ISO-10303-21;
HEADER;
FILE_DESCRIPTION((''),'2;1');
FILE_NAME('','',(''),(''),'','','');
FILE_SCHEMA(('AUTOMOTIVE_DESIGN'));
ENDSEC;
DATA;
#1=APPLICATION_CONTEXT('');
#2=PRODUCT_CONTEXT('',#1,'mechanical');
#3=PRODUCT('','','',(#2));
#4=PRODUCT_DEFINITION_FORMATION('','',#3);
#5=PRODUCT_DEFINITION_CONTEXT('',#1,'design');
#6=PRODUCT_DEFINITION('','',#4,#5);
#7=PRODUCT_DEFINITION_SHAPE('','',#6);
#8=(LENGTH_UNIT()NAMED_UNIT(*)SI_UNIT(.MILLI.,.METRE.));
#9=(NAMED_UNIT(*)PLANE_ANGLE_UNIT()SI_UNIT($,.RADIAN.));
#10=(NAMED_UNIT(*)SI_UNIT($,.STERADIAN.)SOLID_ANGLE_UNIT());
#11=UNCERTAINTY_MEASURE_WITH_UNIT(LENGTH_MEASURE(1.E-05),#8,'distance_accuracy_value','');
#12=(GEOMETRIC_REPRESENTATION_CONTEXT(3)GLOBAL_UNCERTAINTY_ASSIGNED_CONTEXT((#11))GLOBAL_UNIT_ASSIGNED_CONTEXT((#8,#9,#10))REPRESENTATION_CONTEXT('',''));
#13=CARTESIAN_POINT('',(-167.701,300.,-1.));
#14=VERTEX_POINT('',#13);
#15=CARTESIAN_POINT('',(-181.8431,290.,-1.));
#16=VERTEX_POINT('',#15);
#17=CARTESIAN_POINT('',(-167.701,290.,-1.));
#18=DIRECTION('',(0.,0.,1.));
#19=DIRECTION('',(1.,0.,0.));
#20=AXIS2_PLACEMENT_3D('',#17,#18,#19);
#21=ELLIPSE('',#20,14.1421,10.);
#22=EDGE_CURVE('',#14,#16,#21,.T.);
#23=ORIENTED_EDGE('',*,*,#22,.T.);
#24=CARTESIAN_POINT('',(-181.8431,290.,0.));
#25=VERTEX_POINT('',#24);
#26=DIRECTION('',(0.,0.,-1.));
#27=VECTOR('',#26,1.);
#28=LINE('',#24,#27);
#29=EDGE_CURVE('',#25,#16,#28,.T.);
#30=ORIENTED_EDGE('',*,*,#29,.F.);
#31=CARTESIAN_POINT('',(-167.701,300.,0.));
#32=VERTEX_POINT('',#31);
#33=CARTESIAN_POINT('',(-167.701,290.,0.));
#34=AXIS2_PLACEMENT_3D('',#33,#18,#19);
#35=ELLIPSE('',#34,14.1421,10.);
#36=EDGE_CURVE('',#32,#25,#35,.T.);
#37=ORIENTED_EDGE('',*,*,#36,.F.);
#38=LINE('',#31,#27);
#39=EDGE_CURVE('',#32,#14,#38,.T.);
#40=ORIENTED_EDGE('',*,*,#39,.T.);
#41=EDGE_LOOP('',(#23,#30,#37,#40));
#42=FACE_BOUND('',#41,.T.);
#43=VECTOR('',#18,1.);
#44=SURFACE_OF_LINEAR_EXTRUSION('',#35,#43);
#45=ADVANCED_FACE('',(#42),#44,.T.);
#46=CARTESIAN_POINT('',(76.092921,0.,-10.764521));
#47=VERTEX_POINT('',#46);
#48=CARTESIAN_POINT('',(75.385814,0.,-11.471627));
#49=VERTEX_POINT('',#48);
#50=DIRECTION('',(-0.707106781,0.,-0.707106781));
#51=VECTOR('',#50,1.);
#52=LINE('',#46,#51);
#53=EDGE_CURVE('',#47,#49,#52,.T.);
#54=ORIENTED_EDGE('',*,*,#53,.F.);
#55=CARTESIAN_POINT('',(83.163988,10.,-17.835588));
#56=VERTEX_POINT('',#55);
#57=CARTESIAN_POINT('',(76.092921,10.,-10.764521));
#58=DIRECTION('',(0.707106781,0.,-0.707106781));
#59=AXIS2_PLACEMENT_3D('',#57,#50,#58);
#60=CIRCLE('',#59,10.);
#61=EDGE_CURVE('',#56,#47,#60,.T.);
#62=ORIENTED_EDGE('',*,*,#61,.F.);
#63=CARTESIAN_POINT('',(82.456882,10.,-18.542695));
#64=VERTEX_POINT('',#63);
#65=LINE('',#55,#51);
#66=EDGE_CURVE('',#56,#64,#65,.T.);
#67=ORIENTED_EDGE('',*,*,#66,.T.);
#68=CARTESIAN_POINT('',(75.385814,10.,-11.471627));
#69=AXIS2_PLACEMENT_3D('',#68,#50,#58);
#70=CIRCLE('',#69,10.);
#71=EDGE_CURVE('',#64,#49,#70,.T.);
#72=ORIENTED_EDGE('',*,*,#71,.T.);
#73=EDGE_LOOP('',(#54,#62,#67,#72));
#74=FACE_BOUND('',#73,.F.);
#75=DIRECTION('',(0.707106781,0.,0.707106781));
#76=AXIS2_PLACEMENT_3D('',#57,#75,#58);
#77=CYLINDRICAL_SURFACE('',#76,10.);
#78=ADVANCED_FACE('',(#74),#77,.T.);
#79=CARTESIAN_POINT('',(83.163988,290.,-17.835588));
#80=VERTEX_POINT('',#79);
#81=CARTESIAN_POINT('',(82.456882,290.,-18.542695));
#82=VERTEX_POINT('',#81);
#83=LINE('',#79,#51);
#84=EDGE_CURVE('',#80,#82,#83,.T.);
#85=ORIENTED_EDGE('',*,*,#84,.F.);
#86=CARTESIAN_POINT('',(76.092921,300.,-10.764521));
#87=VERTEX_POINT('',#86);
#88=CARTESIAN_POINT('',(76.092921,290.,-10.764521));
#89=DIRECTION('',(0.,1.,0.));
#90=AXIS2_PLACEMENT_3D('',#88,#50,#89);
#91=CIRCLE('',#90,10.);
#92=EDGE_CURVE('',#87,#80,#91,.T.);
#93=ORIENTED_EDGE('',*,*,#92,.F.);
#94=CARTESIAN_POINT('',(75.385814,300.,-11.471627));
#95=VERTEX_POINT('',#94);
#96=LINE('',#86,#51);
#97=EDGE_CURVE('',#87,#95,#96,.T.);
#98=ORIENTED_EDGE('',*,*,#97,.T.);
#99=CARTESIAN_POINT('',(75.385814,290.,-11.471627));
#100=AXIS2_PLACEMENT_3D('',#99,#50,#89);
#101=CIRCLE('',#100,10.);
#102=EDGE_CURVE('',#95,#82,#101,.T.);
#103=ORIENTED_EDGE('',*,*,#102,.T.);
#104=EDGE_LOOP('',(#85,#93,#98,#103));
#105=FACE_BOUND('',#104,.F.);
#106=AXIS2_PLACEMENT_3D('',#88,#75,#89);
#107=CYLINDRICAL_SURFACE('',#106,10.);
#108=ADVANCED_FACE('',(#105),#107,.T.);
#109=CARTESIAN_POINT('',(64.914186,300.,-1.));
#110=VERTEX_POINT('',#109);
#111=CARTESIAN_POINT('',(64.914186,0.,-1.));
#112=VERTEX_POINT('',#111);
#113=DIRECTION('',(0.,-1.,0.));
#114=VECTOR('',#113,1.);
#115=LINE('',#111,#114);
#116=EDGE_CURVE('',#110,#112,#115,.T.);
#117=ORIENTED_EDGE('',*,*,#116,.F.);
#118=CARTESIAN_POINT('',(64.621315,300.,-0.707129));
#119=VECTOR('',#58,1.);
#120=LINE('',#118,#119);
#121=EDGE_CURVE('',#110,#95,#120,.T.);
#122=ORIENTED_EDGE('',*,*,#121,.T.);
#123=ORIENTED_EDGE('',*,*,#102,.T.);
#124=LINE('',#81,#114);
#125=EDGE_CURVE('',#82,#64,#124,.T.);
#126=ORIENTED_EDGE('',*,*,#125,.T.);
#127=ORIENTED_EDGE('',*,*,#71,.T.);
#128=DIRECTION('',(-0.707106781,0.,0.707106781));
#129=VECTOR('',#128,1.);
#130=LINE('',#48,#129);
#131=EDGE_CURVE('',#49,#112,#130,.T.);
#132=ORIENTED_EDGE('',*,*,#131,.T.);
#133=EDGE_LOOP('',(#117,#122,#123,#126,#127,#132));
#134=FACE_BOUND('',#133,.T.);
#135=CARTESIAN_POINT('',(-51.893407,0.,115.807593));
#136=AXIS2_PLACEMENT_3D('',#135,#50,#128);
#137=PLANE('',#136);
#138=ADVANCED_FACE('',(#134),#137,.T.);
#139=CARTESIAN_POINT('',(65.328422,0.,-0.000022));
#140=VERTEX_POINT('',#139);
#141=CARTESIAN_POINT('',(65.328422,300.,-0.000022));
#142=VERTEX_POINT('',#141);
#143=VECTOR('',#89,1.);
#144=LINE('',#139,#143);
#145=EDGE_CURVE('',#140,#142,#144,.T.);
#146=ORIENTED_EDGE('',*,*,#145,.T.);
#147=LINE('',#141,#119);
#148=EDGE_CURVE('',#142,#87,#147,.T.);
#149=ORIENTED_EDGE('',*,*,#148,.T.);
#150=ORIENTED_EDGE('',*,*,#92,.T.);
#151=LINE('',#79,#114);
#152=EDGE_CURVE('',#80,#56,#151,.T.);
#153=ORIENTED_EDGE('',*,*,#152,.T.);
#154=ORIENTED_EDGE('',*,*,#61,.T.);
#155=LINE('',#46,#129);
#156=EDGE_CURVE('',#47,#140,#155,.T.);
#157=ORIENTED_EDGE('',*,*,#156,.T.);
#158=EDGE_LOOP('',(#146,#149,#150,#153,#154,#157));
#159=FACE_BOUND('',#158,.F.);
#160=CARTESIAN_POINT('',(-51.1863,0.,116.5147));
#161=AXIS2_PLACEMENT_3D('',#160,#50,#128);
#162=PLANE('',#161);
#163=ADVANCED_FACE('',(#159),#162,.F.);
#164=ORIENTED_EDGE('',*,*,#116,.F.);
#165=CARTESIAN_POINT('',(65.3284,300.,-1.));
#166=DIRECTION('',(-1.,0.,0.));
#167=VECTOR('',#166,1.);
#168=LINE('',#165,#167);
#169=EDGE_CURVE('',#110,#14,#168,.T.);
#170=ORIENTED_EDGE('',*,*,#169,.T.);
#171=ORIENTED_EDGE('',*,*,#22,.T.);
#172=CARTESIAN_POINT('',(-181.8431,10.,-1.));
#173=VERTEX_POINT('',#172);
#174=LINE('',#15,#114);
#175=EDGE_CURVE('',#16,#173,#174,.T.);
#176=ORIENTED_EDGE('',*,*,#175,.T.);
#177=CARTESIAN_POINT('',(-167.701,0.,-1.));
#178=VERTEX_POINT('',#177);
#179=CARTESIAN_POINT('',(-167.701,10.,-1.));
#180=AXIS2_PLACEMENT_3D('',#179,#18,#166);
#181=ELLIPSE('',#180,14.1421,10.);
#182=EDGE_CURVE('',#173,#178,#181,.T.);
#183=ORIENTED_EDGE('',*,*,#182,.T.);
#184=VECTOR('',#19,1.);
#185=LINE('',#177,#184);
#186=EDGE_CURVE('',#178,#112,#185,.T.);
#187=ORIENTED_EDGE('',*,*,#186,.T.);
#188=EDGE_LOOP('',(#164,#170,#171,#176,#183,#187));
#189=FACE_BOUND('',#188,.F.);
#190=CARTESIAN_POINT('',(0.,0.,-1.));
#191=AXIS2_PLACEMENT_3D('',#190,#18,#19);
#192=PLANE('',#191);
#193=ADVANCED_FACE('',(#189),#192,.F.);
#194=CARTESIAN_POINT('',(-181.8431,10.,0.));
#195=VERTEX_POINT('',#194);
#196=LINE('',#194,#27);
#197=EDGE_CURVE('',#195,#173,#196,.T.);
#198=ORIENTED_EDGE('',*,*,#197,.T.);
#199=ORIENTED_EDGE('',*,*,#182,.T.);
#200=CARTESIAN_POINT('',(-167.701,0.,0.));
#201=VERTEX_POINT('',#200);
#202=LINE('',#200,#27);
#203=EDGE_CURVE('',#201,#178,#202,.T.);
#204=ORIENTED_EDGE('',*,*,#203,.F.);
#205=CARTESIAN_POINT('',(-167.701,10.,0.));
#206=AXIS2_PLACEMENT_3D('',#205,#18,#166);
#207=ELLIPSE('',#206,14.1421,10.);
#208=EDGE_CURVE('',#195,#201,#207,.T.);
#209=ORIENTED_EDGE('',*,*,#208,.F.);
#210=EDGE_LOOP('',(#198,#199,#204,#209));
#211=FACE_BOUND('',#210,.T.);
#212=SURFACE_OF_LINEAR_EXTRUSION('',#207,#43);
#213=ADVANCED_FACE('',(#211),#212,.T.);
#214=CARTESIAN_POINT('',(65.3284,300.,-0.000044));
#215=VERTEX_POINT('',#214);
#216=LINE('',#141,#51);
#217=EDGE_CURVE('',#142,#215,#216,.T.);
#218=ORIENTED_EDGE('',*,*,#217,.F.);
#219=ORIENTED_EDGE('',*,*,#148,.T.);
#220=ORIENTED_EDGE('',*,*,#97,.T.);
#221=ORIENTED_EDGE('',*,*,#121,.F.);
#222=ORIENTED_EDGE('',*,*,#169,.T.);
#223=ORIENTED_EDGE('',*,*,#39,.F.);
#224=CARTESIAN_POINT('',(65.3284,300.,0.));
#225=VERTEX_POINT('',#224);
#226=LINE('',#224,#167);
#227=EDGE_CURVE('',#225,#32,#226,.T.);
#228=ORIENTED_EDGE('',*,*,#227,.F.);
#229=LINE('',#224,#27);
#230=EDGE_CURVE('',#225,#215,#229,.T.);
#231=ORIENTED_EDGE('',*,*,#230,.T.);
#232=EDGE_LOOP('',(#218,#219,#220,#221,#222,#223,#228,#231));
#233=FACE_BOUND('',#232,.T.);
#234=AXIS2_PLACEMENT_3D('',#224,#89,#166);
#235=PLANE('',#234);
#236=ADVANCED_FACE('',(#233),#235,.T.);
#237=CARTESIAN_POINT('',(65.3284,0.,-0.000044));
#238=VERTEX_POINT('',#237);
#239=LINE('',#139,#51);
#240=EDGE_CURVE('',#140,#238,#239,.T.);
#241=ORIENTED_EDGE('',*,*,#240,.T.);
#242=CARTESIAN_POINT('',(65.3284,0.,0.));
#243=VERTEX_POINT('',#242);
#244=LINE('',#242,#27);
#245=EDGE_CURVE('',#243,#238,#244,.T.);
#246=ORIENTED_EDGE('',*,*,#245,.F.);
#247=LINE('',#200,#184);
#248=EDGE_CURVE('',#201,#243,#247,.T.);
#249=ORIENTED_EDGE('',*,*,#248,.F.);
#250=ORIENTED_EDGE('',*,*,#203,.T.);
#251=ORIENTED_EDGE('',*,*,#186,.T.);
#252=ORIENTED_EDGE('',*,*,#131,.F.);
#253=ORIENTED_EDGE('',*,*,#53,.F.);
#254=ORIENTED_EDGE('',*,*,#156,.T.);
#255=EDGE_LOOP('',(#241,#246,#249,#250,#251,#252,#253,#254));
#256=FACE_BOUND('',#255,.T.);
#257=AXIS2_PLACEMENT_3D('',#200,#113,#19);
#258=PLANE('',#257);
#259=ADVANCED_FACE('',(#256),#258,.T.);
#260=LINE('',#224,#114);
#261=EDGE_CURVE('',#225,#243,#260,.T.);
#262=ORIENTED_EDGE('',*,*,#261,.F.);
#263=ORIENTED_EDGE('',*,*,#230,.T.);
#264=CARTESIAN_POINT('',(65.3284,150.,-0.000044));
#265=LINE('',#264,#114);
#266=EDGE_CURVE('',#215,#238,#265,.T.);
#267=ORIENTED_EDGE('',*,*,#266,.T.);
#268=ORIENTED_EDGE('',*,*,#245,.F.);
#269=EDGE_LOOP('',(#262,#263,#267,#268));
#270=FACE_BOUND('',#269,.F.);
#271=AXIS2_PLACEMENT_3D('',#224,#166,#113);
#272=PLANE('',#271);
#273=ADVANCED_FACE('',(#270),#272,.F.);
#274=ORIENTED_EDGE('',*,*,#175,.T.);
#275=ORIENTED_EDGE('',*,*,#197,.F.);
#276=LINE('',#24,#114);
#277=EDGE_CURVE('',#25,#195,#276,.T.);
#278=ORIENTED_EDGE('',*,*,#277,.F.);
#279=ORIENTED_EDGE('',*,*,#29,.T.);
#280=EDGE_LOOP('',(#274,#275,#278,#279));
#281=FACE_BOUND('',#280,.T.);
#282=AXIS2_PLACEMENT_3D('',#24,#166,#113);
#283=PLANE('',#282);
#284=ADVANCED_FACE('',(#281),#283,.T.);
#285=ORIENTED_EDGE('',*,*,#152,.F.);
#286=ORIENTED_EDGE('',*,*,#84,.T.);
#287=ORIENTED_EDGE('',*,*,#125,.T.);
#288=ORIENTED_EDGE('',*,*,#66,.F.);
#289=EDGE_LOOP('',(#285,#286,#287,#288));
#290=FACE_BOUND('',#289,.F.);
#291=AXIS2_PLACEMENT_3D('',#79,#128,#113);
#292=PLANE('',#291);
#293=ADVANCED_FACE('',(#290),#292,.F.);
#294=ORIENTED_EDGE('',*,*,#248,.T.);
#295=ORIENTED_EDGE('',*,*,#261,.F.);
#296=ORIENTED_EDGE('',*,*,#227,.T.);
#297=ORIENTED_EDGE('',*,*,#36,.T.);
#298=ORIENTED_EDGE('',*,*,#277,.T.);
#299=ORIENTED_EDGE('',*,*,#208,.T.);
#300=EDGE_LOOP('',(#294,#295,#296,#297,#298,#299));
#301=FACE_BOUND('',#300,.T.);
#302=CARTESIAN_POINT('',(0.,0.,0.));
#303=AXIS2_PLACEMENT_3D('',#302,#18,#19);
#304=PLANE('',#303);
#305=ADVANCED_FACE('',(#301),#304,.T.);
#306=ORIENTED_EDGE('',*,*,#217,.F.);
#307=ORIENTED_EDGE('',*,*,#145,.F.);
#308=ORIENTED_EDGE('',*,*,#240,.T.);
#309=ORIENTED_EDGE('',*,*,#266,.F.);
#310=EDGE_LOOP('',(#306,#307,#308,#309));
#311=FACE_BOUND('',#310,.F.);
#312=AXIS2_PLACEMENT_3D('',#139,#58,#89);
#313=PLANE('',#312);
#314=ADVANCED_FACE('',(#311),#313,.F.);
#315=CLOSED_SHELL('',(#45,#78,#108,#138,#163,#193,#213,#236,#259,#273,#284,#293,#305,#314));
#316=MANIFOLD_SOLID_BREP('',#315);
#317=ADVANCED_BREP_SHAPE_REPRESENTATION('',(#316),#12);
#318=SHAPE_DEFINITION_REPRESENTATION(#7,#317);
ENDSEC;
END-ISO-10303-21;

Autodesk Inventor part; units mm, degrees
ref_plane "YZ Plane" through (0, 0, 0) normal (1, 0, 0) x (0, 1, 0)
ref_plane "XZ Plane" through (0, 0, 0) normal (0, 1, 0) x (-1, 0, 0)
ref_plane "XY Plane" through (0, 0, 0) normal (0, 0, 1) x (1, 0, 0)
sketch "Sketch1" plane through (0, 0, 0) normal (0, 0, 1) x (1, 0, 0)
  line L0 (-167.701, 0) -> (65.3284, 0) projected
  line L1 (76.0929, 0) -> (65.3284, 0) projected
  ellipse E0 centre (76.0929, 10) end of major axis (76.0929, 20) minor radius 7.0711 (76.0929, 0) -> (83.164, 10) ccw projected
  line L2 (83.164, 290) -> (83.164, 10) projected
  ellipse E1 centre (76.0929, 290) end of major axis (76.0929, 280) minor radius 7.0711 (83.164, 290) -> (76.0929, 300) ccw projected
  line L3 (65.3284, 300) -> (76.0929, 300) projected
  line L4 (65.3284, 300) -> (-167.701, 300) projected
  line L5 (-181.8431, 290) -> (-181.8431, 10) projected
  ellipse E2 centre (-167.701, 10) end of major axis (-181.8431, 10) minor radius 10 (-181.8431, 10) -> (-167.701, 0) ccw projected
  ellipse E3 centre (-167.701, 290) end of major axis (-153.5589, 290) minor radius 10 (-167.701, 300) -> (-181.8431, 290) ccw projected
  line L6 (65.3284, 300) -> (65.3284, 0)
  point P0 (0, 0)
extrude "Extrusion1" add sketch "Sketch1" against normal blind 1 contours E2 L5 E3 L4 L6 L0
ref_plane "Work Plane1" through (-51.1863, 0, 116.5147) normal (-0.7071, 0, -0.7071) x (-0.7071, 0, 0.7071)
sketch "Sketch2" plane through (-51.1863, 0, 116.5147) normal (-0.7071, 0, -0.7071) x (-0.7071, 0, 0.7071)
  line L0 (-164.7767, 0) -> (-164.7767, 300) projected
  line L1 (-190, 290) -> (-190, 10) projected
  arc A0 (-190, 10) -> (-180, 0) centre (-180, 10) ccw projected
  line L2 (-180, 0) -> (-164.7767, 0) projected
  line L3 (-164.7767, 300) -> (-180, 300) projected
  arc A1 (-180, 300) -> (-190, 290) centre (-180, 290) ccw projected
  point P0 (-118.5825, 0)
extrude "Extrusion2" add sketch "Sketch2" along normal blind 1
properties part number "Top Cover" material "Aluminum 6061"
